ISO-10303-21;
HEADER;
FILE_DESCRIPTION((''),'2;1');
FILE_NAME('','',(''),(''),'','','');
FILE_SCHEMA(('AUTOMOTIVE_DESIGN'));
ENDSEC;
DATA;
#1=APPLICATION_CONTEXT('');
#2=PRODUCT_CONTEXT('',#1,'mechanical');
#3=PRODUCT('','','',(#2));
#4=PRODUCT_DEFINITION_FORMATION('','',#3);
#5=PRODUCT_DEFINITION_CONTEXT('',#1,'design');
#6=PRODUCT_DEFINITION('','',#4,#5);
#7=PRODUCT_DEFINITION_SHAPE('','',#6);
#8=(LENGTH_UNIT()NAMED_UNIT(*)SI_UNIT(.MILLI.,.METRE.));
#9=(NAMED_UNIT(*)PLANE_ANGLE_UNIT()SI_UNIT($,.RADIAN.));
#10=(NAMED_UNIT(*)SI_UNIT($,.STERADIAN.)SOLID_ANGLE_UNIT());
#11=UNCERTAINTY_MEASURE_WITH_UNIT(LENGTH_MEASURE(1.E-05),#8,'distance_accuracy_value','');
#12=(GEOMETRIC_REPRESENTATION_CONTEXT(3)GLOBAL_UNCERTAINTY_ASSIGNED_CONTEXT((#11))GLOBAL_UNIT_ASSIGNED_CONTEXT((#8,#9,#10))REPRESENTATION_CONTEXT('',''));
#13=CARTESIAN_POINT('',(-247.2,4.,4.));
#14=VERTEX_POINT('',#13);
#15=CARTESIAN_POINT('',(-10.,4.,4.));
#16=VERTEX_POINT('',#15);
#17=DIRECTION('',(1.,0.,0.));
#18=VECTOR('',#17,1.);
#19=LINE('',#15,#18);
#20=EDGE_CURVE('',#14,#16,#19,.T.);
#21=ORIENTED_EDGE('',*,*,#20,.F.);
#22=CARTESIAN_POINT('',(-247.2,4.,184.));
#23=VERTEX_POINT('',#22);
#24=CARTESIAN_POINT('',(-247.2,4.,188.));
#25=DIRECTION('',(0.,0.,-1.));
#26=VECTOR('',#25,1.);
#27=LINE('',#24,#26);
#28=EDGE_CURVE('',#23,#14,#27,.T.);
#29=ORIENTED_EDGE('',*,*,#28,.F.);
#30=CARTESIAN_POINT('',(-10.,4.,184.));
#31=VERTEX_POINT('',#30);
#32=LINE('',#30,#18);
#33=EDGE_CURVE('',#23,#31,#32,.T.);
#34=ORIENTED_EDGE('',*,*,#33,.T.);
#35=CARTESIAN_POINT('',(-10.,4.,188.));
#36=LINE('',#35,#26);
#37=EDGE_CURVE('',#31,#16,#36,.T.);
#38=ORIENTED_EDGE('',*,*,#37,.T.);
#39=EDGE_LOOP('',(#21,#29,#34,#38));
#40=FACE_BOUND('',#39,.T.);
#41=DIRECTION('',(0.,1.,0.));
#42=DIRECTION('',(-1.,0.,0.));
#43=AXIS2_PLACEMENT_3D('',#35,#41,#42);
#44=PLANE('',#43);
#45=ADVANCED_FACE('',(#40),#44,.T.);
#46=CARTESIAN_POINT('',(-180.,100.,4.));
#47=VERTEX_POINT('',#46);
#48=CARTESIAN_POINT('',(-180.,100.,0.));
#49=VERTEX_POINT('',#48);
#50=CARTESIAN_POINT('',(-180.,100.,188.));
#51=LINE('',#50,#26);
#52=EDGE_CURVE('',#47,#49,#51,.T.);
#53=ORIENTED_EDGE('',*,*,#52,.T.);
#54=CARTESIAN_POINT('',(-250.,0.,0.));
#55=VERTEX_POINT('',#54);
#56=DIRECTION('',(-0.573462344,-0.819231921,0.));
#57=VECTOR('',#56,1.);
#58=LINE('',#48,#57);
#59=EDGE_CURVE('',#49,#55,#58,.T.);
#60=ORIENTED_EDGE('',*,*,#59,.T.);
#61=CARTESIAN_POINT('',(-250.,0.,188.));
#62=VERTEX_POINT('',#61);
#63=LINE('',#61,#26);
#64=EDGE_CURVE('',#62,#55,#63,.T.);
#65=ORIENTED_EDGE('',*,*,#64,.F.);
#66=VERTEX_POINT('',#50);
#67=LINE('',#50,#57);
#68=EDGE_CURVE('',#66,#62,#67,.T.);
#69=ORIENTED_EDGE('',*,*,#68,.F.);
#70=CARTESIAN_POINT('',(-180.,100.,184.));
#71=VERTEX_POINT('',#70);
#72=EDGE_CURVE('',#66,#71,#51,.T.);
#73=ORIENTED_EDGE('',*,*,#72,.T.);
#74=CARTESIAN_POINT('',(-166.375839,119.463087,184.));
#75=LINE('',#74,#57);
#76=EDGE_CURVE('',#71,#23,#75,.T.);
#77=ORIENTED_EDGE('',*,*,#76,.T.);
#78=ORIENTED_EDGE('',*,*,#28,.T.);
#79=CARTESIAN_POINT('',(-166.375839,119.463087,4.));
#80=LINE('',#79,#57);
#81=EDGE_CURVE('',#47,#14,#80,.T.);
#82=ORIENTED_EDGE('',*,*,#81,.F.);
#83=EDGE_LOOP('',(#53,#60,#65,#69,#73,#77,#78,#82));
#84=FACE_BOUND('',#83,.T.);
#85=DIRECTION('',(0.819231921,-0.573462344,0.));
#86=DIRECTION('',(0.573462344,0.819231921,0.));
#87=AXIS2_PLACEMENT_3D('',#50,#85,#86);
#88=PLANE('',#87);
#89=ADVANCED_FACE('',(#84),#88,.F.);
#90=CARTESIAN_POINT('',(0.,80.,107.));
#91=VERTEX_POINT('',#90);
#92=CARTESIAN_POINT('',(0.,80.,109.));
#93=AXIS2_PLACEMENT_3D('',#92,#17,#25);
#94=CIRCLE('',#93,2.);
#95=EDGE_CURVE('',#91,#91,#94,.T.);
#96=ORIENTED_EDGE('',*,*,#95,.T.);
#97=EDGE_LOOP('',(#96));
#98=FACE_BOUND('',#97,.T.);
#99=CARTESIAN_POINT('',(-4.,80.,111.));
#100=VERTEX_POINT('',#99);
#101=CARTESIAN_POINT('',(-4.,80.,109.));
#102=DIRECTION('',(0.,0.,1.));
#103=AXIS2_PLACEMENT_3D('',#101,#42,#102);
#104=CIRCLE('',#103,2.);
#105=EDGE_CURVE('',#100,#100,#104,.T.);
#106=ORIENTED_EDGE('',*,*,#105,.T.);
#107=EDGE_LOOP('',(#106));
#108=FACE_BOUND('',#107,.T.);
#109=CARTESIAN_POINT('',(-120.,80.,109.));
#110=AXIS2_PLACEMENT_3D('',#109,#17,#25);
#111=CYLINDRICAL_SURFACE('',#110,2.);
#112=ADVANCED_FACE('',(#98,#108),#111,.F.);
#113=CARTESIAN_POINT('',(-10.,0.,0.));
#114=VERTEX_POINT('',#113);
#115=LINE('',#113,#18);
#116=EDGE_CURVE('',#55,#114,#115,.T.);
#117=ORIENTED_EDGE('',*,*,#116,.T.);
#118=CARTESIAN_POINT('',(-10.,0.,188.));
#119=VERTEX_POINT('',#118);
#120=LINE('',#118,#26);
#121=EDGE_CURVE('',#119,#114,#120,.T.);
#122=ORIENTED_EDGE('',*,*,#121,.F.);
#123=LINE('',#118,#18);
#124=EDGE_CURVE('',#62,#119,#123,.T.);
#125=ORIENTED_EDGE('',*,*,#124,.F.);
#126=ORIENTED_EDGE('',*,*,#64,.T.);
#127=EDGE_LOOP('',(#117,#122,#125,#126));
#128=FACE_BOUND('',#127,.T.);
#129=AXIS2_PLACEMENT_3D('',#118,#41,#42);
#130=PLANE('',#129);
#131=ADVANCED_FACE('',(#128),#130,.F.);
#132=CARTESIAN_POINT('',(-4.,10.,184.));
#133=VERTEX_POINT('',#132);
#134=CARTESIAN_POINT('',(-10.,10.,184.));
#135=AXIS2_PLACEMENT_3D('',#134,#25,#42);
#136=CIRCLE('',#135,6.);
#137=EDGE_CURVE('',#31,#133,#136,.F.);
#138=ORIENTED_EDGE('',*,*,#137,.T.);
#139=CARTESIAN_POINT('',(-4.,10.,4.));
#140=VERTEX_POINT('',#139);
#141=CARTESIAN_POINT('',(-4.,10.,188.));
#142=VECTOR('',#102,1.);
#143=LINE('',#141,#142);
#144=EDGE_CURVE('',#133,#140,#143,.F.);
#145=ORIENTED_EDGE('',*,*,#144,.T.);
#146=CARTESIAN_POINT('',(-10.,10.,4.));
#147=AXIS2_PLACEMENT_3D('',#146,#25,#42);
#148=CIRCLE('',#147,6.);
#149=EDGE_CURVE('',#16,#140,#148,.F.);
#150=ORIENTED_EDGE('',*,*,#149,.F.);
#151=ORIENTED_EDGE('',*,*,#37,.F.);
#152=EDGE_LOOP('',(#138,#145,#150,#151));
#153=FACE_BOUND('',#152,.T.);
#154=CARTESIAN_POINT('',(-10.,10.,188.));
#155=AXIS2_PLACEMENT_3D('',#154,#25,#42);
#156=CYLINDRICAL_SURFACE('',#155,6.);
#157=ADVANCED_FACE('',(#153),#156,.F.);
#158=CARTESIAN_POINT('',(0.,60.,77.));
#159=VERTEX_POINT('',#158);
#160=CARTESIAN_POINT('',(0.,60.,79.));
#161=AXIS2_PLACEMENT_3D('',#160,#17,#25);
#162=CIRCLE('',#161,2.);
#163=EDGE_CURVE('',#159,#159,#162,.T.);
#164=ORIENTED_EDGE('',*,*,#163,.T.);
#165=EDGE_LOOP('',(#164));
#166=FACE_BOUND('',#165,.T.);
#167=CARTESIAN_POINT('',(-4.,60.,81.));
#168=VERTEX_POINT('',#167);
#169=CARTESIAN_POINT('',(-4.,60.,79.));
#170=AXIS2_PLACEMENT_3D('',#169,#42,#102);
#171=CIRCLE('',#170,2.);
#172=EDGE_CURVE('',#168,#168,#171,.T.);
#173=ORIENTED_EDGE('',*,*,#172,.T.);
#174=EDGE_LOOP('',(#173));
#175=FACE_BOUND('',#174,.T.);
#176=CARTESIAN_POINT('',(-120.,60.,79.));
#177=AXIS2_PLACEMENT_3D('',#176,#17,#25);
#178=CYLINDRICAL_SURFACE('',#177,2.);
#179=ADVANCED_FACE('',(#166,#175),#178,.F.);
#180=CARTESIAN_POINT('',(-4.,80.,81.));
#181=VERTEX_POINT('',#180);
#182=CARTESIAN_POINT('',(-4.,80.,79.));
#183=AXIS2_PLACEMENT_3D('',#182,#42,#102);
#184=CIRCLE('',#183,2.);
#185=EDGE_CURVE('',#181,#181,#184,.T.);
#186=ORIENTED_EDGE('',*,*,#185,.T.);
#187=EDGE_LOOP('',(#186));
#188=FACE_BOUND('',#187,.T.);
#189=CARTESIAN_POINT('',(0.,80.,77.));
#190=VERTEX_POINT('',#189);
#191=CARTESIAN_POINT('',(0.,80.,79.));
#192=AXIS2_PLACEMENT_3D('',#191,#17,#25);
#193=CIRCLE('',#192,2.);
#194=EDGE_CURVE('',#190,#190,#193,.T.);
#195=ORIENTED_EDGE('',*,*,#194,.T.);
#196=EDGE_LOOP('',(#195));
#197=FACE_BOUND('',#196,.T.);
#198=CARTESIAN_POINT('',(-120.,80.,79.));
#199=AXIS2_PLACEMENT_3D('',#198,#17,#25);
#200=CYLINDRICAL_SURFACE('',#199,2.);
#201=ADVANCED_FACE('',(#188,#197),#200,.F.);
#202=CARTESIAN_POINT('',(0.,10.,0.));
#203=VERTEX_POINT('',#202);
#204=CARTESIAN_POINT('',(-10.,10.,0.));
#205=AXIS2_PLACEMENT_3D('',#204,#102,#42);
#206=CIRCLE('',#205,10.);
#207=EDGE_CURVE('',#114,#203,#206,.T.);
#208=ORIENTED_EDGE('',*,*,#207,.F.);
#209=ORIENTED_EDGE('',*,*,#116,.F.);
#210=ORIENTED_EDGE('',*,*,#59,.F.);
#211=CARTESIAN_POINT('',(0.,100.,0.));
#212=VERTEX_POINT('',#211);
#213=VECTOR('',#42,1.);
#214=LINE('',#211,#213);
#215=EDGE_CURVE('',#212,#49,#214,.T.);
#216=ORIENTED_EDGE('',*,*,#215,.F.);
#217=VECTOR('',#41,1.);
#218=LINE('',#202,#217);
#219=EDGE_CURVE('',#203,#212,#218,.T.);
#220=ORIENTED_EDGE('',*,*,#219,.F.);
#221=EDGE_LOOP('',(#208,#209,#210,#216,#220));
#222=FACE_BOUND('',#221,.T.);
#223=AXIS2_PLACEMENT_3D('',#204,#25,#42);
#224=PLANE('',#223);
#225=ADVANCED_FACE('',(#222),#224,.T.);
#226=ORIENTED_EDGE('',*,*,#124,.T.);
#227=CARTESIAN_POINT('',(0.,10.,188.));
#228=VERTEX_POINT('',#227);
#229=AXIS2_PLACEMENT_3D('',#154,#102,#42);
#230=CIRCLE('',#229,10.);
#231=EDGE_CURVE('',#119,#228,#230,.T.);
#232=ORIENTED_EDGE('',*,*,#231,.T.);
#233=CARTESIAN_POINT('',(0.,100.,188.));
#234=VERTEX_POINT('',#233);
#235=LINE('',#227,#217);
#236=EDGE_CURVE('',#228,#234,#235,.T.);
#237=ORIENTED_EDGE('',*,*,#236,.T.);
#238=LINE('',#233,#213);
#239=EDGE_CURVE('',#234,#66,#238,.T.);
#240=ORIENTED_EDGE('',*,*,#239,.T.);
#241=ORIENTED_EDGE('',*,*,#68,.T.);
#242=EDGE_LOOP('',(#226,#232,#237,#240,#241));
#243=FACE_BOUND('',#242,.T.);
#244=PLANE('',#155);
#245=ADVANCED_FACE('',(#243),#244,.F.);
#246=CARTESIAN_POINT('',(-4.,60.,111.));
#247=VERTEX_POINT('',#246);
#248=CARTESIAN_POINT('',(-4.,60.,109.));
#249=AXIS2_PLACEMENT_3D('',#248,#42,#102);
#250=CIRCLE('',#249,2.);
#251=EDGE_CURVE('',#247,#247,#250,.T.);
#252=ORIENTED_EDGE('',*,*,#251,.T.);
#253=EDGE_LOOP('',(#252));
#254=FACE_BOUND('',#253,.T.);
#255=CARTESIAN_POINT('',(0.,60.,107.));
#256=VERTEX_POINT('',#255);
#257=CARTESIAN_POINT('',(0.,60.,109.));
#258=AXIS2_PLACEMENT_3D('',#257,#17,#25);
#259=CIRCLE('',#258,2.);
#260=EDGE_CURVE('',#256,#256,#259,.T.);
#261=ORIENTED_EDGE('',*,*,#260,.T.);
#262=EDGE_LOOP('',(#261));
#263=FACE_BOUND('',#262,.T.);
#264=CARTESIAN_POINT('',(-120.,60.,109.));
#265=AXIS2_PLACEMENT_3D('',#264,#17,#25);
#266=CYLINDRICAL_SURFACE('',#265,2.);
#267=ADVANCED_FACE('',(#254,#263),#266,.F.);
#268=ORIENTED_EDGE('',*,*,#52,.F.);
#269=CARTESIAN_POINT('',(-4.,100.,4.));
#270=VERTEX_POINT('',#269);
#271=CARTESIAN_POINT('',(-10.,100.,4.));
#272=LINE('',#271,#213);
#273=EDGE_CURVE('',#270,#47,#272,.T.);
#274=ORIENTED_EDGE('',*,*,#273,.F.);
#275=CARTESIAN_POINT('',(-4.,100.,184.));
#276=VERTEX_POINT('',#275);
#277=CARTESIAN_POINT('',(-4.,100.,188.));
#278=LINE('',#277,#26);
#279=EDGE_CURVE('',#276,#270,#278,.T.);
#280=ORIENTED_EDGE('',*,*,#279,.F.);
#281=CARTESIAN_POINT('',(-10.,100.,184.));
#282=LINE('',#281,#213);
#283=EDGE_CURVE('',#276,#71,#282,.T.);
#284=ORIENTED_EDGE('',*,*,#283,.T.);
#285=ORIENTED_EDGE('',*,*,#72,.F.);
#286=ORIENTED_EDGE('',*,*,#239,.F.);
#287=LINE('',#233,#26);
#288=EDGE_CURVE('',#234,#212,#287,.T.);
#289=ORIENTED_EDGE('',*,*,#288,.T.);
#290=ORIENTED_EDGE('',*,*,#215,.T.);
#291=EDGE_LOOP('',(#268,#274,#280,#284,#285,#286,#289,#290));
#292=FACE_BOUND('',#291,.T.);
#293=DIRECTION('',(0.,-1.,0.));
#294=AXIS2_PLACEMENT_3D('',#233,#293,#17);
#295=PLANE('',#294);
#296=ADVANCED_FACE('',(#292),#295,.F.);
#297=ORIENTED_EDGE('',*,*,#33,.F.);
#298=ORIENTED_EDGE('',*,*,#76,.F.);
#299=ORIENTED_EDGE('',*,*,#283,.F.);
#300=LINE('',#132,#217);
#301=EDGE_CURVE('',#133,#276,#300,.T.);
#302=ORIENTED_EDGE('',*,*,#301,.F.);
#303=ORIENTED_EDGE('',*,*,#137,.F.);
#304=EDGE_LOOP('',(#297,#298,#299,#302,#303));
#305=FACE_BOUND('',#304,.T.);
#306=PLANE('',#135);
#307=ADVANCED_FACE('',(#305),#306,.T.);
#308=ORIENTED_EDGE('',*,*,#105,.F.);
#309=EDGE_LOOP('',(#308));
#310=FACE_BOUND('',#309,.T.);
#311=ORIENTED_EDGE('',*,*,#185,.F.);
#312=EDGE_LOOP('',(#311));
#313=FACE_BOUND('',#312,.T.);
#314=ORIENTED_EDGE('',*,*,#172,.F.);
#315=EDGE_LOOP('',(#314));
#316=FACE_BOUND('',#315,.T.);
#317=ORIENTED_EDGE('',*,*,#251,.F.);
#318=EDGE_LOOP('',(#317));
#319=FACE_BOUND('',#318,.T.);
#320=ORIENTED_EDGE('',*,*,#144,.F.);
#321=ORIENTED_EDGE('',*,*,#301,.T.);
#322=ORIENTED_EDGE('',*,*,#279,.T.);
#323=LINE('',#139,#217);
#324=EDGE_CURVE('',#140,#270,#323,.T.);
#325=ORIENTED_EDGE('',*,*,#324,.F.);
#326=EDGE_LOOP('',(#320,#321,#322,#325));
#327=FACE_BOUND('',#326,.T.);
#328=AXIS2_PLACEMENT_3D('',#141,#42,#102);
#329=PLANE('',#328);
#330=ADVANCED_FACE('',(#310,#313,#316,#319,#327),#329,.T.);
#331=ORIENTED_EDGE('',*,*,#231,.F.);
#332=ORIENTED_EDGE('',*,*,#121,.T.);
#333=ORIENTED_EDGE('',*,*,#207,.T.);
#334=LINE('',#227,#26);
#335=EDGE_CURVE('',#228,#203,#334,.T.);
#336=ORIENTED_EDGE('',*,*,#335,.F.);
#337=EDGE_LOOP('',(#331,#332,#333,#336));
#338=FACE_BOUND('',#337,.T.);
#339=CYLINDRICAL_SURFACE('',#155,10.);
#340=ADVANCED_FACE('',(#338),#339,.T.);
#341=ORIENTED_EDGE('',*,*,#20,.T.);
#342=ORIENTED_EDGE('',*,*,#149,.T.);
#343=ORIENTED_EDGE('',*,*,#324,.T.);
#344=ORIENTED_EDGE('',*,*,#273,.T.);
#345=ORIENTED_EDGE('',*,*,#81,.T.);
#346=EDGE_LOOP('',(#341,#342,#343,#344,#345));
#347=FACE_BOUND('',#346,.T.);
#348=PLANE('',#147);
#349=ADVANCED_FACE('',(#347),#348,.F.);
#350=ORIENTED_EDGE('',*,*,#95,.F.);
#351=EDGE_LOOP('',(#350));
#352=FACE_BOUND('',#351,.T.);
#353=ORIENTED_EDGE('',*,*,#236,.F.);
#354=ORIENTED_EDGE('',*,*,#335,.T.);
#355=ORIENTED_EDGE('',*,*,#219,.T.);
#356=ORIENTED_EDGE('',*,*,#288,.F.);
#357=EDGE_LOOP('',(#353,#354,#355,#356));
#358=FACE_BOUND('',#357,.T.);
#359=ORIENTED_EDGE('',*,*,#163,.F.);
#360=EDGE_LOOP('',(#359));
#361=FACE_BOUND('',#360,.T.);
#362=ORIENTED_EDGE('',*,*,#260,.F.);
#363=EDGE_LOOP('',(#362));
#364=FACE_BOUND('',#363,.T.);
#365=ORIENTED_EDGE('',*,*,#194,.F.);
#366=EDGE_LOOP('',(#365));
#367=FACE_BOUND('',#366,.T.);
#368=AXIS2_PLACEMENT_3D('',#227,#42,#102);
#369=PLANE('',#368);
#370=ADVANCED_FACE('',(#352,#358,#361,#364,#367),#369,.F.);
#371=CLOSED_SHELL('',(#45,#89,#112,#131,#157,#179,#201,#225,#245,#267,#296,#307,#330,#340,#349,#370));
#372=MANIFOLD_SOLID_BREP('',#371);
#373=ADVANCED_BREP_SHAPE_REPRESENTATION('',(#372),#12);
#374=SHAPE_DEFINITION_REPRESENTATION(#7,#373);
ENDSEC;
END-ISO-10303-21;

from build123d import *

# Parameters (mm, degrees)
DODANIE_WYCI_GNI_CIE1_DEPTH = 188
SKORUPA1_T                  = -4
SZKIC2_R                    = 2
WYTNIJ_WYCI_GNI_CIE1_DEPTH  = 120


with BuildPart() as part:
    # Szkic1 → Dodanie-wyciągnięcie1 (new body)
    with BuildSketch(Plane.XY):
        with BuildLine():
            Line((-10, 0), (-250, 0))
            Line((-250, 0), (-180, 100))
            Line((-180, 100), (0, 100))
            Line((0, 100), (0, 10))
            ThreePointArc((0, 10), (-2.928932188, 2.928932188), (-10, 0))
        make_face()
    extrude(amount=DODANIE_WYCI_GNI_CIE1_DEPTH)

    # Skorupa1
    skorupa1_openings = [part.faces().sort_by_distance(p)[0] for p in [
        (-90, 100, 94),
        (-215, 50, 94),
    ]]
    offset(amount=SKORUPA1_T, openings=skorupa1_openings, kind=Kind.INTERSECTION)

    # Szkic2 → Wytnij-wyciągnięcie1 (cut)
    with BuildSketch(Plane(origin=(0, 0, 0), x_dir=(0, 0, -1), z_dir=(1, 0, 0))):
        with Locations((-109, 80)):
            Circle(SZKIC2_R)
        with Locations((-79, 80)):
            Circle(SZKIC2_R)
        with Locations((-79, 60)):
            Circle(SZKIC2_R)
        with Locations((-109, 60)):
            Circle(SZKIC2_R)
    extrude(amount=-WYTNIJ_WYCI_GNI_CIE1_DEPTH, mode=Mode.SUBTRACT)


solid = part.part
